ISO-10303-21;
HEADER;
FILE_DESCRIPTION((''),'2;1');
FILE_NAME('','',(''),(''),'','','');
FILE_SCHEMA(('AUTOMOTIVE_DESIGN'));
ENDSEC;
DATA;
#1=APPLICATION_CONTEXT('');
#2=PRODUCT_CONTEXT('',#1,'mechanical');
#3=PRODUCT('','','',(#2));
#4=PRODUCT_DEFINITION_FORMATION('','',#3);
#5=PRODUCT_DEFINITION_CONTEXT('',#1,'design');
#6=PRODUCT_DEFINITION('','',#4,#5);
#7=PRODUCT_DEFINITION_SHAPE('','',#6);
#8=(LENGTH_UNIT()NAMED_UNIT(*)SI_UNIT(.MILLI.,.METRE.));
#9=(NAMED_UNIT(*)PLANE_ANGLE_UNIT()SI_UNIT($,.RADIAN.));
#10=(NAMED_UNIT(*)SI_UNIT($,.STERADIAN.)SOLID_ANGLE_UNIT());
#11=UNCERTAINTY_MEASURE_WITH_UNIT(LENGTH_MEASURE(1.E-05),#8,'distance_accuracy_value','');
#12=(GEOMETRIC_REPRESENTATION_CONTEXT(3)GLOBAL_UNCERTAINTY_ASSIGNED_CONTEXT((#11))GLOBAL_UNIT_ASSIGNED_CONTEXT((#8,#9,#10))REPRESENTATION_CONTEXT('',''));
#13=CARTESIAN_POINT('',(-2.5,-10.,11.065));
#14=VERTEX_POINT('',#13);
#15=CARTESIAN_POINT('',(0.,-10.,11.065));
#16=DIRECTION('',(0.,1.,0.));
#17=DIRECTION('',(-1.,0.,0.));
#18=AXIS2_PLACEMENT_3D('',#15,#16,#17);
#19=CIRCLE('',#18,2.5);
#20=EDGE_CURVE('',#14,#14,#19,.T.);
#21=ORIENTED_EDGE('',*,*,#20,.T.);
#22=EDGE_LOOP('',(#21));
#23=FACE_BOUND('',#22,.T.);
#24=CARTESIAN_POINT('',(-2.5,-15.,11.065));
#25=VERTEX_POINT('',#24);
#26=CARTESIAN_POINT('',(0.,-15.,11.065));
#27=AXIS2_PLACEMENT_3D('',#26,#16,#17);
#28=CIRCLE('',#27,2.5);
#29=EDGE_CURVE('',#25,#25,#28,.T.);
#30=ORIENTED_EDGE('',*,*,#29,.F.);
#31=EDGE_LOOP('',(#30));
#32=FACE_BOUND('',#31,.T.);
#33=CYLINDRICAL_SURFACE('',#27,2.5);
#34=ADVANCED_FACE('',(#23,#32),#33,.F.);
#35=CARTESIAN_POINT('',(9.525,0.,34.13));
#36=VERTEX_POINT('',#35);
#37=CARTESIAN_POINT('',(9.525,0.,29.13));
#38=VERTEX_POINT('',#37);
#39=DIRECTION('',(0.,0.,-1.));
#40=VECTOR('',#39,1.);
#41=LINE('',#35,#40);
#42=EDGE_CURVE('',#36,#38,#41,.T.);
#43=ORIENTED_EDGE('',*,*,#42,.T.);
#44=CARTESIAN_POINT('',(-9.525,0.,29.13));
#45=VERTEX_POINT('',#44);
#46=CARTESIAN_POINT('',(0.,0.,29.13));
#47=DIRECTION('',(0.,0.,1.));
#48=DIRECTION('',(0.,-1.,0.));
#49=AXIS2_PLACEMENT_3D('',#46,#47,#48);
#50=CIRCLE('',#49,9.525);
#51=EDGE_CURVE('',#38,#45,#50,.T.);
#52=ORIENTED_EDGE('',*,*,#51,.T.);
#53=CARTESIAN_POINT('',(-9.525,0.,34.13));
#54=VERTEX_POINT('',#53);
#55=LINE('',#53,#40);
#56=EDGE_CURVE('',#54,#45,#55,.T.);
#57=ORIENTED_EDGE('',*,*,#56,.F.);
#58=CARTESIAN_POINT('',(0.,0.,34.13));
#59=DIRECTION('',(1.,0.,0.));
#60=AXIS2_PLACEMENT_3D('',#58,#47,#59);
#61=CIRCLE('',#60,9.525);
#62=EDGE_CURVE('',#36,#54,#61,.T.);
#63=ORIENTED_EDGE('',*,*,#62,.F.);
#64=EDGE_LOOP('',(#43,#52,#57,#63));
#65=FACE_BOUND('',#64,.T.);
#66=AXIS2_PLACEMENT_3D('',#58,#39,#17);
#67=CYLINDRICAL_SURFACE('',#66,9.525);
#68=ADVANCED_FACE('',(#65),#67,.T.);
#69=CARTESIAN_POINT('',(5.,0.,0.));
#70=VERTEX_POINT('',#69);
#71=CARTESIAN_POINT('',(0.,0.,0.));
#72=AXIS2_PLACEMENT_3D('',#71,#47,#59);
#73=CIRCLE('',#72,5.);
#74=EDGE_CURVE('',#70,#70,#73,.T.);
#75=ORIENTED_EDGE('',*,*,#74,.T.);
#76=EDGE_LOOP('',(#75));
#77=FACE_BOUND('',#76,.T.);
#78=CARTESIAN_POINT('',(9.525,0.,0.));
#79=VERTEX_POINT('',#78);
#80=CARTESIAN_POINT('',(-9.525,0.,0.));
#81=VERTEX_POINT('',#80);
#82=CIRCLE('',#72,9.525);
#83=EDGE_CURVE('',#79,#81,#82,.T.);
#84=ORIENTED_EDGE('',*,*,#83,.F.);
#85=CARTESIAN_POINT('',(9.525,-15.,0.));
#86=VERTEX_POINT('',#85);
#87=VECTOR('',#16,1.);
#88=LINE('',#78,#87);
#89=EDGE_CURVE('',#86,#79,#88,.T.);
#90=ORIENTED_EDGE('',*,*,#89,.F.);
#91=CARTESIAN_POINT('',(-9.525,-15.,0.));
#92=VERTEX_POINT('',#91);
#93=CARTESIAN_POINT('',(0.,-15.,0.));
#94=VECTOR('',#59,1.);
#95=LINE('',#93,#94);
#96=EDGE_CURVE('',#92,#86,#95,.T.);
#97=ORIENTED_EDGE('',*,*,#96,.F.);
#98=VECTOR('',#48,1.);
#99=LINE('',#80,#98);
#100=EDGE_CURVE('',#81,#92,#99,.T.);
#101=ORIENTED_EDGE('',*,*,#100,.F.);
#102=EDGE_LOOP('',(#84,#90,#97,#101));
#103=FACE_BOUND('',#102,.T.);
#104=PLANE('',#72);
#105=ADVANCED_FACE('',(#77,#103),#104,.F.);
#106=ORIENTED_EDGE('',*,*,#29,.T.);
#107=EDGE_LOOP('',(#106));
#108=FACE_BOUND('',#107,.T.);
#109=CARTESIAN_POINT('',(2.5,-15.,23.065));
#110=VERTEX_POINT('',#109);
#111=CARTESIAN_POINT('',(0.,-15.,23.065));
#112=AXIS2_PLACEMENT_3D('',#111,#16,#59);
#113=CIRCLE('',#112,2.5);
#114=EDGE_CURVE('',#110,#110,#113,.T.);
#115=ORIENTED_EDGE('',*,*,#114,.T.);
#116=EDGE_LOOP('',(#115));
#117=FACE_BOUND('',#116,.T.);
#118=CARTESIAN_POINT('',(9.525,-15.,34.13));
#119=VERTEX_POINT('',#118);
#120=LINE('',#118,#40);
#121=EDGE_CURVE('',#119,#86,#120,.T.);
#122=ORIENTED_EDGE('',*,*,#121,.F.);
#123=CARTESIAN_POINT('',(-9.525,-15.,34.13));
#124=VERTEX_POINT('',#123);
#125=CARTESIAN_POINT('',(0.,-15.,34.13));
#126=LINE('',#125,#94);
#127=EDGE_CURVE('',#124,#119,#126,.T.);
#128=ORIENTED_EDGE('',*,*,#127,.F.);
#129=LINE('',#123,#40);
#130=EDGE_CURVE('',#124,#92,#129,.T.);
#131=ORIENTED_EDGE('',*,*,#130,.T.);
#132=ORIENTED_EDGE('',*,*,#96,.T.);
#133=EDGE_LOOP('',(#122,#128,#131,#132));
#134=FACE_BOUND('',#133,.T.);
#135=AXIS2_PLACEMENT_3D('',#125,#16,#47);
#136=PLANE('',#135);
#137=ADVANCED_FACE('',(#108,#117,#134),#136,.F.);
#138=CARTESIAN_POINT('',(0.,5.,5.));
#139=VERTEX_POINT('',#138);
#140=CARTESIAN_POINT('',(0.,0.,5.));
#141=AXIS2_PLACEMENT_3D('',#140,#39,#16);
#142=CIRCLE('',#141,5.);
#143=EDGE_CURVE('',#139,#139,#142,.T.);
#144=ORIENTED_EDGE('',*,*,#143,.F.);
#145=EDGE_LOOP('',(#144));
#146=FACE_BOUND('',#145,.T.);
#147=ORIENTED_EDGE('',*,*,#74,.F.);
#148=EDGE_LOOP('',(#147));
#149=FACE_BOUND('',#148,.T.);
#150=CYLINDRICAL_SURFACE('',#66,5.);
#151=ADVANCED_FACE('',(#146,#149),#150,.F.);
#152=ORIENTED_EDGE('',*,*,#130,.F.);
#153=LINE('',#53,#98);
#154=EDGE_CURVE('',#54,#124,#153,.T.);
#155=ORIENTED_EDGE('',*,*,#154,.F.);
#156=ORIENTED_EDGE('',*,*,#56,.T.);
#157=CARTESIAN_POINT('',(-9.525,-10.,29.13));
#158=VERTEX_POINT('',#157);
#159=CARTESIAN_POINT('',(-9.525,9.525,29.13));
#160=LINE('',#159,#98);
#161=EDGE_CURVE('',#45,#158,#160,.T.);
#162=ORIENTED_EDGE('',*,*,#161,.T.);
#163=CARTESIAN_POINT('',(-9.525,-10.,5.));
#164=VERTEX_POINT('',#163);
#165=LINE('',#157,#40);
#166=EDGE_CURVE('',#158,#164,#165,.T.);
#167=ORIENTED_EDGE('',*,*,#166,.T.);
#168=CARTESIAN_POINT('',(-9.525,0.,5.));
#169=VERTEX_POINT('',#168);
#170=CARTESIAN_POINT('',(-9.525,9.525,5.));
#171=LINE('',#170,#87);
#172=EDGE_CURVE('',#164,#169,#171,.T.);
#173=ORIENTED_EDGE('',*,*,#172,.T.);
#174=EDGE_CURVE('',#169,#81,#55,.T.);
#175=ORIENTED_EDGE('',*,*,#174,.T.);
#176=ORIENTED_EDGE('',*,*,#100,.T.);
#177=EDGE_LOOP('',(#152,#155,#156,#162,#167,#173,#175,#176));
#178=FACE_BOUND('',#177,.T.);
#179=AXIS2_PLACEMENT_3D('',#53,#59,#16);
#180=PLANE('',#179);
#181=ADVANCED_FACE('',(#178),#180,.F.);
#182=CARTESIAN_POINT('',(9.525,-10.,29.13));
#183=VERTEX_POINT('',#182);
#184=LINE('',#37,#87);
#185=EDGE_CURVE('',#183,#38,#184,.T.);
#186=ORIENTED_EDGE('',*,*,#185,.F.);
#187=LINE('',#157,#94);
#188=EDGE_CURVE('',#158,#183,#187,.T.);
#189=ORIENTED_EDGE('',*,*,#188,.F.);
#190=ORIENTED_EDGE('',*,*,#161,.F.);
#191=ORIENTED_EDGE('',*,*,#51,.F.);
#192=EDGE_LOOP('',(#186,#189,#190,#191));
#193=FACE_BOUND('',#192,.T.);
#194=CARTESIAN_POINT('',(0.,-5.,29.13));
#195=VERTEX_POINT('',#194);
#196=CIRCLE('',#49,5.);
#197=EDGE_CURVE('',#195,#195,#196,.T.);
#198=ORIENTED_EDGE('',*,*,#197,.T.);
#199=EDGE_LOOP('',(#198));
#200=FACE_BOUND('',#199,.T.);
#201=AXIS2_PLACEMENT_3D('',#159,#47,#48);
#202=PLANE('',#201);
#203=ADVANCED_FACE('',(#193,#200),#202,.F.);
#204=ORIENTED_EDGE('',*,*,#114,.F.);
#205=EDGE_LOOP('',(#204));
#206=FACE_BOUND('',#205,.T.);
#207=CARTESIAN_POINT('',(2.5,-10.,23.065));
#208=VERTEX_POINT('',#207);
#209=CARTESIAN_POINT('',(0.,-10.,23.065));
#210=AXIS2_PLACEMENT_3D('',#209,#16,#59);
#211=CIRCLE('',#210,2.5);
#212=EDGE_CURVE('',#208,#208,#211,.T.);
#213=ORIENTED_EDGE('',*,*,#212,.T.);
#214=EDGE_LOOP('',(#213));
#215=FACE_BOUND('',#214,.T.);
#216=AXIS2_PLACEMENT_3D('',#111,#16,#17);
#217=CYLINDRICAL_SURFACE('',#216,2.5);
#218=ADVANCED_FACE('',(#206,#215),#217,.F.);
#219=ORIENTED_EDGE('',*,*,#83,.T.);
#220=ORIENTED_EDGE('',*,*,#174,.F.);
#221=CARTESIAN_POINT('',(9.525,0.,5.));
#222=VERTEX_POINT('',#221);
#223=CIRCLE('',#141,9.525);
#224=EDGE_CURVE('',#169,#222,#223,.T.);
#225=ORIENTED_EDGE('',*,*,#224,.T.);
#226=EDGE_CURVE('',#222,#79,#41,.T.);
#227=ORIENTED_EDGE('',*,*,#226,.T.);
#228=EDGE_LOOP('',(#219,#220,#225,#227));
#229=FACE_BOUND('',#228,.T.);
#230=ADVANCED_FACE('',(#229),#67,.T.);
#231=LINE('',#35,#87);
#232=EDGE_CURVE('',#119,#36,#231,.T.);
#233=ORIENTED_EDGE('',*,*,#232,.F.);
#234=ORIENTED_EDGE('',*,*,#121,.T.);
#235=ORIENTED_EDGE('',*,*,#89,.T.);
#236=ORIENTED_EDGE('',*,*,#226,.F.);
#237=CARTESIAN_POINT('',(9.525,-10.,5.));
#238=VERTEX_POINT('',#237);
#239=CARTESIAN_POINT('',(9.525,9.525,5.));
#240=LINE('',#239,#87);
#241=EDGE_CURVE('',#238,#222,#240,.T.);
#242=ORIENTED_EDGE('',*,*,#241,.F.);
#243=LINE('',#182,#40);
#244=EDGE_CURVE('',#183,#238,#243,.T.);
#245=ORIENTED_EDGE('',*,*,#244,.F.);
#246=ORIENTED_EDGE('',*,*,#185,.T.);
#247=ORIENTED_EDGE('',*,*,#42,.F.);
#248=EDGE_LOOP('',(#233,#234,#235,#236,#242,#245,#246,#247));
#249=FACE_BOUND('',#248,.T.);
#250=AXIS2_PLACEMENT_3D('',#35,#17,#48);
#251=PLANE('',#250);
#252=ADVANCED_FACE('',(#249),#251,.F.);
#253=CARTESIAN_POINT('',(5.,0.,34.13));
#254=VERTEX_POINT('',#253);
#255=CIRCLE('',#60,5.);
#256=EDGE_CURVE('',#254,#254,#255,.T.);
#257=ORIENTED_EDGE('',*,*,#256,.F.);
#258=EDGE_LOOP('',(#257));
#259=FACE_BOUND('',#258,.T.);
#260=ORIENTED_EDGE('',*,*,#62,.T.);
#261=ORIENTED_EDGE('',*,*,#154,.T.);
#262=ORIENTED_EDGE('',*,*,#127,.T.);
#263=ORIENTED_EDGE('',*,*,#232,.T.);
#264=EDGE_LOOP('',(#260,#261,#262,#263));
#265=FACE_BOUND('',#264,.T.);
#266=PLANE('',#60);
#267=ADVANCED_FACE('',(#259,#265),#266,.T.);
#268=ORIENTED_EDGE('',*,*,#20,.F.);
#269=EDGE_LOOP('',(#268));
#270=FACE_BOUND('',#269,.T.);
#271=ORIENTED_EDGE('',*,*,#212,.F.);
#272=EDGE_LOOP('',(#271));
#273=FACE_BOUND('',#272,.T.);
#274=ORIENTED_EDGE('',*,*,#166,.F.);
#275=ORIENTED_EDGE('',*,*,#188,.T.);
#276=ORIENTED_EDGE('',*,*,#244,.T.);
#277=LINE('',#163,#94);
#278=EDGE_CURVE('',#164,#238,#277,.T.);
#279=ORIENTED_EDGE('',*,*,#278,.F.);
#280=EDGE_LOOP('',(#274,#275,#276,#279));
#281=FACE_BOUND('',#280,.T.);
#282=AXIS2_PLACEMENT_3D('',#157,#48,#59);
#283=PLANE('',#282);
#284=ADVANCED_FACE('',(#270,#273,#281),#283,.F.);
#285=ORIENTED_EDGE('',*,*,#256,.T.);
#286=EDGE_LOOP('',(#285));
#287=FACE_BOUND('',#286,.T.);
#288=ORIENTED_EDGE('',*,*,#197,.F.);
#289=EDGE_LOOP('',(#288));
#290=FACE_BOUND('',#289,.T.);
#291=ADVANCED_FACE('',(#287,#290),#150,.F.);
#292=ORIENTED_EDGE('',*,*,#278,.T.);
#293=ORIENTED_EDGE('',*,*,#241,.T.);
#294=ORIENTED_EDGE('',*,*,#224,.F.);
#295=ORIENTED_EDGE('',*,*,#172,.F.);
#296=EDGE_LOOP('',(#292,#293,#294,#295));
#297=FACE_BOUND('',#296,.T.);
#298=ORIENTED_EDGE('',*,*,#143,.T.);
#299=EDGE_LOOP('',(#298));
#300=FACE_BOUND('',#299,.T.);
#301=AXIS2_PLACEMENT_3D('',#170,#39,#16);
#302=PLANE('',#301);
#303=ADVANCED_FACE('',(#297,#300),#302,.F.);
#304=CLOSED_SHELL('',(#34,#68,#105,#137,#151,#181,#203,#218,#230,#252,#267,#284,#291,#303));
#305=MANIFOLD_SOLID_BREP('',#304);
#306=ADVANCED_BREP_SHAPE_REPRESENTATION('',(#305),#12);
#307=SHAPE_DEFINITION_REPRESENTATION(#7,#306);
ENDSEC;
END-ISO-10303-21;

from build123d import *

# Parameters (mm, degrees)
SKETCH1_R           = 9.525
SKETCH1_R_2         = 5
BOSS_EXTRUDE1_DEPTH = 34.13
SKETCH2_W           = 24.13
SKETCH2_H           = 19.525
CUT_EXTRUDE1_DEPTH  = 42.865969474
SKETCH3_R           = 2.5
CUT_EXTRUDE2_DEPTH  = 41.45748571


with BuildPart() as part:
    # Sketch1 → Boss-Extrude1 (new body)
    # profile 1 of 2: a face of its own
    with BuildSketch(Plane.XY):
        Circle(SKETCH1_R)
        Circle(SKETCH1_R_2, mode=Mode.SUBTRACT)
    # profile 2 of 2: a face of its own
    with BuildSketch(Plane.XY):
        with BuildLine():
            ThreePointArc((9.525, 0), (0, -9.525), (-9.525, 0))
            Line((-9.525, 0), (-9.525, -15))
            Line((-9.525, -15), (9.525, -15))
            Line((9.525, -15), (9.525, 0))
        make_face()
    extrude(amount=BOSS_EXTRUDE1_DEPTH)

    # Sketch2 → Cut-Extrude1 (cut, through all)
    with BuildSketch(Plane(origin=(9.525, 0, 0), x_dir=(0, 0, -1), z_dir=(1, 0, 0))):
        with Locations((-17.065, -0.2375)):
            Rectangle(SKETCH2_W, SKETCH2_H)
    extrude(amount=-CUT_EXTRUDE1_DEPTH, mode=Mode.SUBTRACT)

    # Sketch3 → Cut-Extrude2 (cut, through all)
    with BuildSketch(Plane(origin=(0, -10, 0), x_dir=(1, 0, 0), z_dir=(0, 1, 0))):
        with Locations(Location((0, -11.065, 0), (0, 0, 180))):
            Circle(SKETCH3_R)
        with Locations((0, -23.065)):
            Circle(SKETCH3_R)
    extrude(amount=-CUT_EXTRUDE2_DEPTH, mode=Mode.SUBTRACT)


solid = part.part
